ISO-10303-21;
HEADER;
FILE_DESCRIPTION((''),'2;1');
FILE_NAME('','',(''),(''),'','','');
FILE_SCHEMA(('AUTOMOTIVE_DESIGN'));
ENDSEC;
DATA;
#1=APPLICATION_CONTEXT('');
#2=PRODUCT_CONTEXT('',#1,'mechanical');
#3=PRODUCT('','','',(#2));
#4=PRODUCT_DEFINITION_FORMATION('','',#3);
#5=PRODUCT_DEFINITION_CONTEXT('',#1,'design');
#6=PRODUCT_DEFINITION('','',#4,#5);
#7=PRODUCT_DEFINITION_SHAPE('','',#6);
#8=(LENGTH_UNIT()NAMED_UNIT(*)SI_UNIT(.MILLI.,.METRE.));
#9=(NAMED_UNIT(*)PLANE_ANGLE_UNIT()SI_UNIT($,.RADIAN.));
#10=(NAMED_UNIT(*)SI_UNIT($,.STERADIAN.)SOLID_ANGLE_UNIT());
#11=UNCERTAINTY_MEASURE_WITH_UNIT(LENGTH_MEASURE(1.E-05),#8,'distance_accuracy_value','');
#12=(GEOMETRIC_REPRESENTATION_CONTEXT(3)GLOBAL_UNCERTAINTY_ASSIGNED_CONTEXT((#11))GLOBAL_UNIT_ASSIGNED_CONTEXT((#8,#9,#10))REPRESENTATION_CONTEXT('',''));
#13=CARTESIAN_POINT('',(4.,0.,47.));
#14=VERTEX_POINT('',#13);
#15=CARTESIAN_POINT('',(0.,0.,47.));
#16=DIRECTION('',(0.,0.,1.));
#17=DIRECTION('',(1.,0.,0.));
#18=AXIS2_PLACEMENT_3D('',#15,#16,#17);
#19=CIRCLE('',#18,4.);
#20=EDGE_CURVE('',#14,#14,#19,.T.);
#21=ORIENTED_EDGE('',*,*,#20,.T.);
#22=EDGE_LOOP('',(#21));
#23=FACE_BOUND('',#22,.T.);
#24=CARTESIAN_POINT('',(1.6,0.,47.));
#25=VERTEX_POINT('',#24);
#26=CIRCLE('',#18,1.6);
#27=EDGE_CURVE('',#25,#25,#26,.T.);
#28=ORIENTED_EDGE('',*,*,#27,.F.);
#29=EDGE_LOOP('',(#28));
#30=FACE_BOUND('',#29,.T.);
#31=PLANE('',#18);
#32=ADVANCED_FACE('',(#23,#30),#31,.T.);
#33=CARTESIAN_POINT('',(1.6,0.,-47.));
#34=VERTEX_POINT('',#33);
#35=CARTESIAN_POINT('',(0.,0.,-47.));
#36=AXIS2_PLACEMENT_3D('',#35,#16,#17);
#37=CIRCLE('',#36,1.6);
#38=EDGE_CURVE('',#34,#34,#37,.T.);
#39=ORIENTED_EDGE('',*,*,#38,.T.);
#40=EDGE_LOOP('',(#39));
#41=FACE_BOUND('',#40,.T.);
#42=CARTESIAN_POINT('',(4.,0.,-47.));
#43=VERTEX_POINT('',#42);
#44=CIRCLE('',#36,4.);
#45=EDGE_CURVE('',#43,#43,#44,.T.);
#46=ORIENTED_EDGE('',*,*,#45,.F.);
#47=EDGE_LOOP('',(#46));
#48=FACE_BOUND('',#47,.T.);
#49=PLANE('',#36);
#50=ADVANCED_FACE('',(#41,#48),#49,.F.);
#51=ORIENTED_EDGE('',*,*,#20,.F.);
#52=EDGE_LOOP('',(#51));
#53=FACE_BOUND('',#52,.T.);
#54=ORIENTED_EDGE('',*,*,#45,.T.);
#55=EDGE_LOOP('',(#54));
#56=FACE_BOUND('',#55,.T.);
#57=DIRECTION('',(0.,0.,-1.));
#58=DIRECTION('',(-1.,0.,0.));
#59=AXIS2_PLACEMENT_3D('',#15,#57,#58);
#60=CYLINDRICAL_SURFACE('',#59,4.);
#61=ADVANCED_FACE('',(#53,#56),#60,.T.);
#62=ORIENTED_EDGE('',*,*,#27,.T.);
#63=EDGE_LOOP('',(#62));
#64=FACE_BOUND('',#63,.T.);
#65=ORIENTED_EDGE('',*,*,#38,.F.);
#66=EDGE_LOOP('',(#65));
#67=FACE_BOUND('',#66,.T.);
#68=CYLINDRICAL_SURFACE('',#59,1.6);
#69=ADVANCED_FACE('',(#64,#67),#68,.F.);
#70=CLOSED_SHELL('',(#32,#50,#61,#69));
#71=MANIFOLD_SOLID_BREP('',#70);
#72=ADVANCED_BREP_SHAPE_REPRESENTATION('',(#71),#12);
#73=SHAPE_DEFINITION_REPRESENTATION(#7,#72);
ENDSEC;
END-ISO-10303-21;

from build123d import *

# Parameters (mm, degrees)
SKETCH_1_R      = 4
SKETCH_1_R_2    = 1.6
EXTRUDE_1_DEPTH = 47


with BuildPart() as part:
    # 草图1 → 凸台-拉伸1 (new, symmetric)
    with BuildSketch(Plane.XY):
        Circle(SKETCH_1_R)
        Circle(SKETCH_1_R_2, mode=Mode.SUBTRACT)
    extrude(amount=EXTRUDE_1_DEPTH, both=True)


solid = part.part
